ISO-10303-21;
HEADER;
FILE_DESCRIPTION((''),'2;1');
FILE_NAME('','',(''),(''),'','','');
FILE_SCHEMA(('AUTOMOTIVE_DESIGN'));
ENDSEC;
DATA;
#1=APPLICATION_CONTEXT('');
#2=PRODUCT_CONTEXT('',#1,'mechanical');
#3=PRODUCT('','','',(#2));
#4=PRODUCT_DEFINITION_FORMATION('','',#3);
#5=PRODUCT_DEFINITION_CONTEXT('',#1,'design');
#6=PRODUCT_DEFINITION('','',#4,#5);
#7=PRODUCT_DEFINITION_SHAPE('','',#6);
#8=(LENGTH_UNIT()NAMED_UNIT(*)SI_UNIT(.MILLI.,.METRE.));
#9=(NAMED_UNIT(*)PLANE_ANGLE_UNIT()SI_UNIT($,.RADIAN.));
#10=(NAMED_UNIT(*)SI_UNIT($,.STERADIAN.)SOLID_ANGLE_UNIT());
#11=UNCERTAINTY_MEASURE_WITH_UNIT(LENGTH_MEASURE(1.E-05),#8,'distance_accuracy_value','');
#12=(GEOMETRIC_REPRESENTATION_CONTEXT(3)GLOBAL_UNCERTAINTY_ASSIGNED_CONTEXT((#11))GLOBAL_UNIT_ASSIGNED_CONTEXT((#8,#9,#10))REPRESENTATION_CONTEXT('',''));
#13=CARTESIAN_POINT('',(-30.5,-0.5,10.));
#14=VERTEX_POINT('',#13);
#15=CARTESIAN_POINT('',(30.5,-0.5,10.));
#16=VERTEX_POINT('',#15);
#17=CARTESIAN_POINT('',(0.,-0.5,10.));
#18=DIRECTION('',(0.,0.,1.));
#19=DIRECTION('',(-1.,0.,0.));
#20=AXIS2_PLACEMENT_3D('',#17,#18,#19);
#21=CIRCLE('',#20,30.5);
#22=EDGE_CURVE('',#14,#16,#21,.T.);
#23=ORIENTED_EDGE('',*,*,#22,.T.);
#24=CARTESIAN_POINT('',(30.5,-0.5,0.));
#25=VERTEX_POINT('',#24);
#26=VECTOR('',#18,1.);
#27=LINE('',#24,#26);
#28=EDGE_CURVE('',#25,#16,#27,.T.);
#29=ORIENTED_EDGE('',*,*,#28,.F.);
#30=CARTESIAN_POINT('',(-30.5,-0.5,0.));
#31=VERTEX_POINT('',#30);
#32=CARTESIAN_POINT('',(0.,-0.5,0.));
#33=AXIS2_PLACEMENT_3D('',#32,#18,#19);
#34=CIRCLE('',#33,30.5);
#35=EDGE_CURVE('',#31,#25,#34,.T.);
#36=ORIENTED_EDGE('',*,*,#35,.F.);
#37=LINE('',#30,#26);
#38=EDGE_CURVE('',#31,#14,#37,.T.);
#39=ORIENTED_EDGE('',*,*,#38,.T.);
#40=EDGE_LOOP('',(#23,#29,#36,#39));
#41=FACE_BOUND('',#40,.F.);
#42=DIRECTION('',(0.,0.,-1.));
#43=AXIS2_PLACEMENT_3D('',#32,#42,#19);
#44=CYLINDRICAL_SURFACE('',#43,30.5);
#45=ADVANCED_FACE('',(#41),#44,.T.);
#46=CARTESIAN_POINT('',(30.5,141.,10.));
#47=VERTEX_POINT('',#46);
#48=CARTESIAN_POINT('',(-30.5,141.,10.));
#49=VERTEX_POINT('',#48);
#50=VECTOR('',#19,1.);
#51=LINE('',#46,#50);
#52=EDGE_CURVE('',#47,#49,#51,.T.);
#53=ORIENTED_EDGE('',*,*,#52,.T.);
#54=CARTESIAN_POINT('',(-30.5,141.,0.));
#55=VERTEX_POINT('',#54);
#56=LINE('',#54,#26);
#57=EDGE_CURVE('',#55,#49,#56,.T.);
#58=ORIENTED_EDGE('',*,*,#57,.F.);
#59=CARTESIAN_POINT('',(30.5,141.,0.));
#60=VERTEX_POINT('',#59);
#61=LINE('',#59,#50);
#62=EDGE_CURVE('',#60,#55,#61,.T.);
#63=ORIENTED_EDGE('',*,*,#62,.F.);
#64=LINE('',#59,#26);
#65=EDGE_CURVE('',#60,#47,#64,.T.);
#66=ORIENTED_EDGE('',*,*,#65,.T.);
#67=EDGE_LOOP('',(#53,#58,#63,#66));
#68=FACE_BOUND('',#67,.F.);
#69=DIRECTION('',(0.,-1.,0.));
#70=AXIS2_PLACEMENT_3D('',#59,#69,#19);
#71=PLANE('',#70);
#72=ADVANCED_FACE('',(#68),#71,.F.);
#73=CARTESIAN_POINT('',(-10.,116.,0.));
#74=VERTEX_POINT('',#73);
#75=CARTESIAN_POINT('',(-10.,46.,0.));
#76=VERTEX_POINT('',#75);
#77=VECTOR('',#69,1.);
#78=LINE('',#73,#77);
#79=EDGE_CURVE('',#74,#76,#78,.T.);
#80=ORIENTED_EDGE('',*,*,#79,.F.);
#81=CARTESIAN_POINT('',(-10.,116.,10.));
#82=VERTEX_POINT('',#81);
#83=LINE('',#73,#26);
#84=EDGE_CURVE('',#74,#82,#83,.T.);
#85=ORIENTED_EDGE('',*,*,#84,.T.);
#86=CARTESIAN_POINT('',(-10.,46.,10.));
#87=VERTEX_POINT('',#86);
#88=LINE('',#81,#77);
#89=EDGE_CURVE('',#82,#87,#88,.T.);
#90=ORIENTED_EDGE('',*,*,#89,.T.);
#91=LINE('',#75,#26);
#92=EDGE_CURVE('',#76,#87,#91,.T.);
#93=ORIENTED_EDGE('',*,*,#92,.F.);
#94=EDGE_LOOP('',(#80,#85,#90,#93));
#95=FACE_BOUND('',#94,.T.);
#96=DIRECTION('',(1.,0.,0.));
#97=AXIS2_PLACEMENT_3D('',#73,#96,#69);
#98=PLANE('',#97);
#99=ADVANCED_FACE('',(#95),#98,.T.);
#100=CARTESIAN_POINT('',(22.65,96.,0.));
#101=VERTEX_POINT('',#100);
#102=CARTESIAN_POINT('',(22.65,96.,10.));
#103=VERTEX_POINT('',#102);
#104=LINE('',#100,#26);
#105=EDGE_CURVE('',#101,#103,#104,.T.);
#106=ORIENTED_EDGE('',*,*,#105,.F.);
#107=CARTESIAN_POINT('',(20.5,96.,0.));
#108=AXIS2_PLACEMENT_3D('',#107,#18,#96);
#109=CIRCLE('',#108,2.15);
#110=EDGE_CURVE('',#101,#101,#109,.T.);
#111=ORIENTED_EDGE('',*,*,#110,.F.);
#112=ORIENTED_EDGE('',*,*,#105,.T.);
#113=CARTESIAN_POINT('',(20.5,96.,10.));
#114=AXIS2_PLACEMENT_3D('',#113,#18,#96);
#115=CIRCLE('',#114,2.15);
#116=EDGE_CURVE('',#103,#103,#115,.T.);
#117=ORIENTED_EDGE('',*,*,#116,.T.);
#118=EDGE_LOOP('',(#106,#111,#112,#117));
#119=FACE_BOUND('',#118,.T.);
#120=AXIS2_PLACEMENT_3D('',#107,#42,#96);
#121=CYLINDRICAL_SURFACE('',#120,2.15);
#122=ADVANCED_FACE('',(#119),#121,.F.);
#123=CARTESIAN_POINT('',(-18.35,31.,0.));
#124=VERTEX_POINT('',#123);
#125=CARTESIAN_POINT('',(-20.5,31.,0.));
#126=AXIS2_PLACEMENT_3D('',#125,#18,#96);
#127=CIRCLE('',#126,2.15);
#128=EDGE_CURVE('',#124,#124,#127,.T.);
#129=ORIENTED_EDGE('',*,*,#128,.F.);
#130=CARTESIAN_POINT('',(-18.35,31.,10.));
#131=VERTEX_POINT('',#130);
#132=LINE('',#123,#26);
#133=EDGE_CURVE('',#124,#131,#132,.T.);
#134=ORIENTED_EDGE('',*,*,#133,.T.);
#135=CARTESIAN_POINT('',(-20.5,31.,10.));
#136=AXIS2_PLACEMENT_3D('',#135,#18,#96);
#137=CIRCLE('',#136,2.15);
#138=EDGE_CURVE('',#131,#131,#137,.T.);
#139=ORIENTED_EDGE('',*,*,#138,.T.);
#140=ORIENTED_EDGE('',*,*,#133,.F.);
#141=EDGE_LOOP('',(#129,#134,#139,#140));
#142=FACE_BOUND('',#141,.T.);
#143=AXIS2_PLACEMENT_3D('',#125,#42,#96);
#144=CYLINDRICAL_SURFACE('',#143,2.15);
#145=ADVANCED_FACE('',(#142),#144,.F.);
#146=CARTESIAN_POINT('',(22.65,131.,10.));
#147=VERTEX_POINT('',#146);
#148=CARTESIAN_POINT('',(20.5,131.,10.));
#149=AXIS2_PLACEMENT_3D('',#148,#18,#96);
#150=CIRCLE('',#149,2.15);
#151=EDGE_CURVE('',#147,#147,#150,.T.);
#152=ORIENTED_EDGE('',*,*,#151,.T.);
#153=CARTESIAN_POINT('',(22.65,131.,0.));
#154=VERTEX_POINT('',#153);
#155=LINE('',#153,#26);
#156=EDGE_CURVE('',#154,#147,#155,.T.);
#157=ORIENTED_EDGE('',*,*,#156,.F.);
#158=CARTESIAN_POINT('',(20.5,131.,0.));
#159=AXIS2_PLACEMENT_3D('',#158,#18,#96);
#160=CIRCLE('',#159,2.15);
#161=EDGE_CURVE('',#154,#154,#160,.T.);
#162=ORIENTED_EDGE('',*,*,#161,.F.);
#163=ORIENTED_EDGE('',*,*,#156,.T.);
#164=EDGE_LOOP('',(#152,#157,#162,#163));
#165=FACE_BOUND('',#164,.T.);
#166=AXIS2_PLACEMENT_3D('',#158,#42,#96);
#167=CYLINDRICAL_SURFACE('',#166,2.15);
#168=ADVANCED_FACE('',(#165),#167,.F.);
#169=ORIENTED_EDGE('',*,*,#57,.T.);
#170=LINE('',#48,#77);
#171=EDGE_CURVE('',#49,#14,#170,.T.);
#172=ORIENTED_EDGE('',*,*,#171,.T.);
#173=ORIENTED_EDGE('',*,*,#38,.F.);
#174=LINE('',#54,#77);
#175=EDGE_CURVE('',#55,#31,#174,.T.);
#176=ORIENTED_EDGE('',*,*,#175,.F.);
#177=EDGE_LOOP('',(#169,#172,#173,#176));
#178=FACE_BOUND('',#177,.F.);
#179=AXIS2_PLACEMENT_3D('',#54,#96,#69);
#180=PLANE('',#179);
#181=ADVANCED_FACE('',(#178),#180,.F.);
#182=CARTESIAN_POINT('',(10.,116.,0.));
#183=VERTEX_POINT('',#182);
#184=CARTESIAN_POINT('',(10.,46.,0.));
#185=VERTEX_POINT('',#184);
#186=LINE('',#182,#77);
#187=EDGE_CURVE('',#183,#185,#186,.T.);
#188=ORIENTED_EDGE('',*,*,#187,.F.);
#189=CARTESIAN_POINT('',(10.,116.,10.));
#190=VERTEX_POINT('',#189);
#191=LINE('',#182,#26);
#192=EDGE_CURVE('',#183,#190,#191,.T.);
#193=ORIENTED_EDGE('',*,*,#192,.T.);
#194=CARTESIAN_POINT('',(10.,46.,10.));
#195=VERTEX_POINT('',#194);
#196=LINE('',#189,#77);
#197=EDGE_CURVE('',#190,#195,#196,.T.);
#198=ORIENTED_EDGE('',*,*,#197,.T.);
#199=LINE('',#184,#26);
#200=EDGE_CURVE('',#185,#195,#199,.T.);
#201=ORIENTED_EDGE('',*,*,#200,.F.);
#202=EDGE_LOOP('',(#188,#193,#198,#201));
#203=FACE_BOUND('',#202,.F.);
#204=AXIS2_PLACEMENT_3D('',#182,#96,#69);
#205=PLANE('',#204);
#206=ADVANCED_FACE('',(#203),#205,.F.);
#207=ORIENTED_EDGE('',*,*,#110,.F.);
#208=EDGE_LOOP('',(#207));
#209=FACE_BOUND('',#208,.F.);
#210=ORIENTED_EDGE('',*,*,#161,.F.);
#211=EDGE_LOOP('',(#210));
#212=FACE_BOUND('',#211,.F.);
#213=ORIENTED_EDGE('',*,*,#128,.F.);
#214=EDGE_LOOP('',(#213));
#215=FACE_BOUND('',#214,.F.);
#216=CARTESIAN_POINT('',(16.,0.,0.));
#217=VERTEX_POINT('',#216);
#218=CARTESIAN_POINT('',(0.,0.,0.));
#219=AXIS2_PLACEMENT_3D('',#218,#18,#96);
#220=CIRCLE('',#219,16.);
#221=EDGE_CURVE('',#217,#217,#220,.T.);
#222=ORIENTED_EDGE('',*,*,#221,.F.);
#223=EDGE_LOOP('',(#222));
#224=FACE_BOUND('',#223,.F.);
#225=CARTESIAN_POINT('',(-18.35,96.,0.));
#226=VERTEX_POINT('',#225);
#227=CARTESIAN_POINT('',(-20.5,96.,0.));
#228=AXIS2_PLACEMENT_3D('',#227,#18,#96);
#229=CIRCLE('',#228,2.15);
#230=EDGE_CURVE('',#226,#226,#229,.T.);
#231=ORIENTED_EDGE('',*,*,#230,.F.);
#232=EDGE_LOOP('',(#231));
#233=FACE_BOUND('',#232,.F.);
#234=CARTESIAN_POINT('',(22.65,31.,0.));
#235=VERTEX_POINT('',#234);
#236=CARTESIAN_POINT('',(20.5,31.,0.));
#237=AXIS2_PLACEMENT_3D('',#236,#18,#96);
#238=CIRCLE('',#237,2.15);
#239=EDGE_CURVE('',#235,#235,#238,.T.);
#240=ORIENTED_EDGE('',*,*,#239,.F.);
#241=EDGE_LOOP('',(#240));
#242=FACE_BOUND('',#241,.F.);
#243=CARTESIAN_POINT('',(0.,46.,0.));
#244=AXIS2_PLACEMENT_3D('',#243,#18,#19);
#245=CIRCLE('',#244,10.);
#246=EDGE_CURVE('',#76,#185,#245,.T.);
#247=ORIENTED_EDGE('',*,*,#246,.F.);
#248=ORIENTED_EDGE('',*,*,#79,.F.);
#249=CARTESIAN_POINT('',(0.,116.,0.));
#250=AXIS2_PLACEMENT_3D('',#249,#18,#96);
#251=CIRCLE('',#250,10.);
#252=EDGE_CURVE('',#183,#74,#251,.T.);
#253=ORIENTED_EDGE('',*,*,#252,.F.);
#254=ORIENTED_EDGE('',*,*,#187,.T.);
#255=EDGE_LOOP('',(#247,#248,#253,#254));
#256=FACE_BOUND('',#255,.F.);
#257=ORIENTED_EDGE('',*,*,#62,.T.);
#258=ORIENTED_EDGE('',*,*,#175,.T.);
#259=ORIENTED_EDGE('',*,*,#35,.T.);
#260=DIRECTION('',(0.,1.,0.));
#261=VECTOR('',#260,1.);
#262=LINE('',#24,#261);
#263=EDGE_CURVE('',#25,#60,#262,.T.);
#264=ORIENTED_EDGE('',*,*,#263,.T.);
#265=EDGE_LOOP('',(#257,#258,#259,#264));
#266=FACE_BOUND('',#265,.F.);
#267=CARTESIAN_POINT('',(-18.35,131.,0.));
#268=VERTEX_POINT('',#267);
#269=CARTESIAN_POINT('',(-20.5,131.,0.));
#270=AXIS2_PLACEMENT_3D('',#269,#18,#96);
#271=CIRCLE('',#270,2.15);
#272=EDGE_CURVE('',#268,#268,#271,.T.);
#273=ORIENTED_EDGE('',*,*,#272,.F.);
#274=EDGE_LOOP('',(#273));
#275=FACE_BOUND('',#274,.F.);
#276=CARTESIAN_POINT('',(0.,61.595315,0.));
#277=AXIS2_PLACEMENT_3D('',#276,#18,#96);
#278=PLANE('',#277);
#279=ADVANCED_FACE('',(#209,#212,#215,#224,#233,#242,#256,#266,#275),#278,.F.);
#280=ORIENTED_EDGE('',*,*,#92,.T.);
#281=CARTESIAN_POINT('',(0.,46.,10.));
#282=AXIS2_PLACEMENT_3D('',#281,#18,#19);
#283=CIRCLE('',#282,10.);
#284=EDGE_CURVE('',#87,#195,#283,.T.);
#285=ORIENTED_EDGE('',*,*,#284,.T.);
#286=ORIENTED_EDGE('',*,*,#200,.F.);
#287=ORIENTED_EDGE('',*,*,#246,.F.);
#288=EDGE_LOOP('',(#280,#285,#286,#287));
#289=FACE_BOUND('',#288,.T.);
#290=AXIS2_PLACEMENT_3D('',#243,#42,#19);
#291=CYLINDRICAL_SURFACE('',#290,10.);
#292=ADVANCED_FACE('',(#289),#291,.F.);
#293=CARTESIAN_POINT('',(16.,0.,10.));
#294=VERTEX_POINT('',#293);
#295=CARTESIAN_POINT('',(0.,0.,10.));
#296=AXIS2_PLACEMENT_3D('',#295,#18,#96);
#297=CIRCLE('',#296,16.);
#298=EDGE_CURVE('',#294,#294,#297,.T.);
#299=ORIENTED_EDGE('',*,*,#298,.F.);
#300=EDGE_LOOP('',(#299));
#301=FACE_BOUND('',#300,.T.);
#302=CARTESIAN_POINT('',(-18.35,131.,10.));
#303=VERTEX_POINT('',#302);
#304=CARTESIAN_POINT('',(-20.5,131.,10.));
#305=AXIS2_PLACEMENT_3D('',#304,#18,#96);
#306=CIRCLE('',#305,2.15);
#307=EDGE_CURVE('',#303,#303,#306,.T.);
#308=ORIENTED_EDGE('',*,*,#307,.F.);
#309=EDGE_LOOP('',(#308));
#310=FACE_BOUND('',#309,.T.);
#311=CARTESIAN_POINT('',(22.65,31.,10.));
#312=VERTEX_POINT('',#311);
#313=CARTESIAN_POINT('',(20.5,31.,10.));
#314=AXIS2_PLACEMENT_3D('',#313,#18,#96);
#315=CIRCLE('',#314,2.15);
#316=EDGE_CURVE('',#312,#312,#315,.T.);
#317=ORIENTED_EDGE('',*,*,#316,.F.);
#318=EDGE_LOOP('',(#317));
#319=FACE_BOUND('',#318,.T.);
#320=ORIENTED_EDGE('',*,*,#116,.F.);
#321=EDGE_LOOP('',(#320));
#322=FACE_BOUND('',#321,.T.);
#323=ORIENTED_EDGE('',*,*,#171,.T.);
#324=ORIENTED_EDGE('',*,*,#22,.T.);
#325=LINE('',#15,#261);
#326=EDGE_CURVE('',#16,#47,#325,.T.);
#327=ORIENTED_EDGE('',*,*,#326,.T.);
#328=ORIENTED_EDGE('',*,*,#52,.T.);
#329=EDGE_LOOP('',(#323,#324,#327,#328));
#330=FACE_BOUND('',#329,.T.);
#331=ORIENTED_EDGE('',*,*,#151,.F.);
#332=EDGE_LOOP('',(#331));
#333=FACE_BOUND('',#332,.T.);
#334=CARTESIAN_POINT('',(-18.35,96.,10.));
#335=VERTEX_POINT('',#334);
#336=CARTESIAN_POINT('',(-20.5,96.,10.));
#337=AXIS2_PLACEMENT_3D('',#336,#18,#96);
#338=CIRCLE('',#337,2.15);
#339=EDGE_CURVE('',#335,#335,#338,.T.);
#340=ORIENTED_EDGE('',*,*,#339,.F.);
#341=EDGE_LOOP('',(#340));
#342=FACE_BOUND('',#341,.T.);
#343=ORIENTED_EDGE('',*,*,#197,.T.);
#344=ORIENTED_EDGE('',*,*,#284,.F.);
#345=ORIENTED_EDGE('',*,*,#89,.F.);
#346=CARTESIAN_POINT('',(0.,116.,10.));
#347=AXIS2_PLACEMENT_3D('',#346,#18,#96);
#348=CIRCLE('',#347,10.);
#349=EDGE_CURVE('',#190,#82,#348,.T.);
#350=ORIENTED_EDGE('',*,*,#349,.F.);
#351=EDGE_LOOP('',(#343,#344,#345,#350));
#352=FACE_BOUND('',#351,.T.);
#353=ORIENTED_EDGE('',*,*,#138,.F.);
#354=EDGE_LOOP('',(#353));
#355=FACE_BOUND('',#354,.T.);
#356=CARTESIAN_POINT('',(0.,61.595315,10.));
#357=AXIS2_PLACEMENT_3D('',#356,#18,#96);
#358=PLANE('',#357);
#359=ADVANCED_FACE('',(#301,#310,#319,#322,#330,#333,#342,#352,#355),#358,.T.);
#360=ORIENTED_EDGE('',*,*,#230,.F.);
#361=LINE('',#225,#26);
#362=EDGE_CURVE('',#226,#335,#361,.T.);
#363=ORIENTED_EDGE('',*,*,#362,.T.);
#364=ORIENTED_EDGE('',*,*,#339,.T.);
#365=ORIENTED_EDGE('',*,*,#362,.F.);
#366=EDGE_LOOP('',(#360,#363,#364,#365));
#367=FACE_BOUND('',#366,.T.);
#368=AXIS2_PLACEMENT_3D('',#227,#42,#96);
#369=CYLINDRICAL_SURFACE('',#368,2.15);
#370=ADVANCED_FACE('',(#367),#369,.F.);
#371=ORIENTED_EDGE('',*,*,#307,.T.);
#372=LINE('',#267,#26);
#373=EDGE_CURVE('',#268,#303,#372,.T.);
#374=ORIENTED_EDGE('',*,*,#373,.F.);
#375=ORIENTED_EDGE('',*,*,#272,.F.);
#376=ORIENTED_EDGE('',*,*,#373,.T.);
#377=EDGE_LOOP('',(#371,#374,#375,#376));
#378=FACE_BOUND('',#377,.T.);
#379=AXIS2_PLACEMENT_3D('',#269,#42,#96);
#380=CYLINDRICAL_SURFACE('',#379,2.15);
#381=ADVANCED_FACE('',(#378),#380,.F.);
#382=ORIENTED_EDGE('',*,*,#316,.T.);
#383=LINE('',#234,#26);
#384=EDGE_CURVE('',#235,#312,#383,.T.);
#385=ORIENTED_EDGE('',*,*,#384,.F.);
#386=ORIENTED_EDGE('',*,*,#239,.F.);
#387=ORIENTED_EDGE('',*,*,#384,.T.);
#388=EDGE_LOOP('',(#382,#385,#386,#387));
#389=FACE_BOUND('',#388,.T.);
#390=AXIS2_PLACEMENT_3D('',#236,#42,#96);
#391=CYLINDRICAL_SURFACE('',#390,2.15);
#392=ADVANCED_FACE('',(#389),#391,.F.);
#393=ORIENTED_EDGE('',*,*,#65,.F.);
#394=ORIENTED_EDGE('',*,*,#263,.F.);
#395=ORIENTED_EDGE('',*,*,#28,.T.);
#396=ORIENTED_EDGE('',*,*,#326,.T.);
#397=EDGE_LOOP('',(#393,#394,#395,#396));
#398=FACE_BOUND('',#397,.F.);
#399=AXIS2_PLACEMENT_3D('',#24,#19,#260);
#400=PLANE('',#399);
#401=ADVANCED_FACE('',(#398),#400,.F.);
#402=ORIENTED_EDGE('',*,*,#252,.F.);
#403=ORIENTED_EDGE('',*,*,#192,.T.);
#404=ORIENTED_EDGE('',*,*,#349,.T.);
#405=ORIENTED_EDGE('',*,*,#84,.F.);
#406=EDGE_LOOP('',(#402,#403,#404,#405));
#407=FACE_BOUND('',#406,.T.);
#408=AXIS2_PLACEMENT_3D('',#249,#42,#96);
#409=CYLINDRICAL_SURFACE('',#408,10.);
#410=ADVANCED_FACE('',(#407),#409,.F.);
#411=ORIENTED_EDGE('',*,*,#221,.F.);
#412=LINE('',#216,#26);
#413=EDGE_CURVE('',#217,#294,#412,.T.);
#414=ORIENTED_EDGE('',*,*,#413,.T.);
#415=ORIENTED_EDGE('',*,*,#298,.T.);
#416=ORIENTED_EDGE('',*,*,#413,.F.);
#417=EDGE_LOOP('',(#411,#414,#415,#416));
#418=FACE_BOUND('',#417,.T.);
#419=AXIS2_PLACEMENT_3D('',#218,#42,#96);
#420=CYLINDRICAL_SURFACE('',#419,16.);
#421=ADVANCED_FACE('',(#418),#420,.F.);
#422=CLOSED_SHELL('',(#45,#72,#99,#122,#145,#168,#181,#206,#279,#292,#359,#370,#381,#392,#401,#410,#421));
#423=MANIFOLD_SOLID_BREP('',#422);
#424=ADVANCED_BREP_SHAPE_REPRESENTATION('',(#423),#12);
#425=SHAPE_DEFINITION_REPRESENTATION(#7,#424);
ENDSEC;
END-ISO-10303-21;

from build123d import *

# Parameters (mm, degrees)
SKETCH_R   = 2.15
SKETCH_R_2 = 16
PAD_DEPTH  = 10


with BuildPart() as part:
    # Sketch → Pad (new body)
    with BuildSketch(Plane.XY):
        with BuildLine():
            Line((-30.5, 141), (-30.5, -0.5))
            ThreePointArc((-30.5, -0.5), (0, -31), (30.5, -0.5))
            Line((30.5, -0.5), (30.5, 141))
            Line((30.5, 141), (-30.5, 141))
        make_face()
        with Locations((-20.5, 131)):
            Circle(SKETCH_R, mode=Mode.SUBTRACT)
        with Locations((20.5, 131)):
            Circle(SKETCH_R, mode=Mode.SUBTRACT)
        with Locations((-20.5, 96)):
            Circle(SKETCH_R, mode=Mode.SUBTRACT)
        with Locations((20.5, 96)):
            Circle(SKETCH_R, mode=Mode.SUBTRACT)
        Circle(SKETCH_R_2, mode=Mode.SUBTRACT)
        with Locations((-20.5, 31)):
            Circle(SKETCH_R, mode=Mode.SUBTRACT)
        with Locations((20.5, 31)):
            Circle(SKETCH_R, mode=Mode.SUBTRACT)
        with BuildLine():
            ThreePointArc((10, 116), (0, 126), (-10, 116))
            Line((-10, 116), (-10, 46))
            ThreePointArc((-10, 46), (0, 36), (10, 46))
            Line((10, 116), (10, 46))
        make_face(mode=Mode.SUBTRACT)
    extrude(amount=PAD_DEPTH)


solid = part.part
